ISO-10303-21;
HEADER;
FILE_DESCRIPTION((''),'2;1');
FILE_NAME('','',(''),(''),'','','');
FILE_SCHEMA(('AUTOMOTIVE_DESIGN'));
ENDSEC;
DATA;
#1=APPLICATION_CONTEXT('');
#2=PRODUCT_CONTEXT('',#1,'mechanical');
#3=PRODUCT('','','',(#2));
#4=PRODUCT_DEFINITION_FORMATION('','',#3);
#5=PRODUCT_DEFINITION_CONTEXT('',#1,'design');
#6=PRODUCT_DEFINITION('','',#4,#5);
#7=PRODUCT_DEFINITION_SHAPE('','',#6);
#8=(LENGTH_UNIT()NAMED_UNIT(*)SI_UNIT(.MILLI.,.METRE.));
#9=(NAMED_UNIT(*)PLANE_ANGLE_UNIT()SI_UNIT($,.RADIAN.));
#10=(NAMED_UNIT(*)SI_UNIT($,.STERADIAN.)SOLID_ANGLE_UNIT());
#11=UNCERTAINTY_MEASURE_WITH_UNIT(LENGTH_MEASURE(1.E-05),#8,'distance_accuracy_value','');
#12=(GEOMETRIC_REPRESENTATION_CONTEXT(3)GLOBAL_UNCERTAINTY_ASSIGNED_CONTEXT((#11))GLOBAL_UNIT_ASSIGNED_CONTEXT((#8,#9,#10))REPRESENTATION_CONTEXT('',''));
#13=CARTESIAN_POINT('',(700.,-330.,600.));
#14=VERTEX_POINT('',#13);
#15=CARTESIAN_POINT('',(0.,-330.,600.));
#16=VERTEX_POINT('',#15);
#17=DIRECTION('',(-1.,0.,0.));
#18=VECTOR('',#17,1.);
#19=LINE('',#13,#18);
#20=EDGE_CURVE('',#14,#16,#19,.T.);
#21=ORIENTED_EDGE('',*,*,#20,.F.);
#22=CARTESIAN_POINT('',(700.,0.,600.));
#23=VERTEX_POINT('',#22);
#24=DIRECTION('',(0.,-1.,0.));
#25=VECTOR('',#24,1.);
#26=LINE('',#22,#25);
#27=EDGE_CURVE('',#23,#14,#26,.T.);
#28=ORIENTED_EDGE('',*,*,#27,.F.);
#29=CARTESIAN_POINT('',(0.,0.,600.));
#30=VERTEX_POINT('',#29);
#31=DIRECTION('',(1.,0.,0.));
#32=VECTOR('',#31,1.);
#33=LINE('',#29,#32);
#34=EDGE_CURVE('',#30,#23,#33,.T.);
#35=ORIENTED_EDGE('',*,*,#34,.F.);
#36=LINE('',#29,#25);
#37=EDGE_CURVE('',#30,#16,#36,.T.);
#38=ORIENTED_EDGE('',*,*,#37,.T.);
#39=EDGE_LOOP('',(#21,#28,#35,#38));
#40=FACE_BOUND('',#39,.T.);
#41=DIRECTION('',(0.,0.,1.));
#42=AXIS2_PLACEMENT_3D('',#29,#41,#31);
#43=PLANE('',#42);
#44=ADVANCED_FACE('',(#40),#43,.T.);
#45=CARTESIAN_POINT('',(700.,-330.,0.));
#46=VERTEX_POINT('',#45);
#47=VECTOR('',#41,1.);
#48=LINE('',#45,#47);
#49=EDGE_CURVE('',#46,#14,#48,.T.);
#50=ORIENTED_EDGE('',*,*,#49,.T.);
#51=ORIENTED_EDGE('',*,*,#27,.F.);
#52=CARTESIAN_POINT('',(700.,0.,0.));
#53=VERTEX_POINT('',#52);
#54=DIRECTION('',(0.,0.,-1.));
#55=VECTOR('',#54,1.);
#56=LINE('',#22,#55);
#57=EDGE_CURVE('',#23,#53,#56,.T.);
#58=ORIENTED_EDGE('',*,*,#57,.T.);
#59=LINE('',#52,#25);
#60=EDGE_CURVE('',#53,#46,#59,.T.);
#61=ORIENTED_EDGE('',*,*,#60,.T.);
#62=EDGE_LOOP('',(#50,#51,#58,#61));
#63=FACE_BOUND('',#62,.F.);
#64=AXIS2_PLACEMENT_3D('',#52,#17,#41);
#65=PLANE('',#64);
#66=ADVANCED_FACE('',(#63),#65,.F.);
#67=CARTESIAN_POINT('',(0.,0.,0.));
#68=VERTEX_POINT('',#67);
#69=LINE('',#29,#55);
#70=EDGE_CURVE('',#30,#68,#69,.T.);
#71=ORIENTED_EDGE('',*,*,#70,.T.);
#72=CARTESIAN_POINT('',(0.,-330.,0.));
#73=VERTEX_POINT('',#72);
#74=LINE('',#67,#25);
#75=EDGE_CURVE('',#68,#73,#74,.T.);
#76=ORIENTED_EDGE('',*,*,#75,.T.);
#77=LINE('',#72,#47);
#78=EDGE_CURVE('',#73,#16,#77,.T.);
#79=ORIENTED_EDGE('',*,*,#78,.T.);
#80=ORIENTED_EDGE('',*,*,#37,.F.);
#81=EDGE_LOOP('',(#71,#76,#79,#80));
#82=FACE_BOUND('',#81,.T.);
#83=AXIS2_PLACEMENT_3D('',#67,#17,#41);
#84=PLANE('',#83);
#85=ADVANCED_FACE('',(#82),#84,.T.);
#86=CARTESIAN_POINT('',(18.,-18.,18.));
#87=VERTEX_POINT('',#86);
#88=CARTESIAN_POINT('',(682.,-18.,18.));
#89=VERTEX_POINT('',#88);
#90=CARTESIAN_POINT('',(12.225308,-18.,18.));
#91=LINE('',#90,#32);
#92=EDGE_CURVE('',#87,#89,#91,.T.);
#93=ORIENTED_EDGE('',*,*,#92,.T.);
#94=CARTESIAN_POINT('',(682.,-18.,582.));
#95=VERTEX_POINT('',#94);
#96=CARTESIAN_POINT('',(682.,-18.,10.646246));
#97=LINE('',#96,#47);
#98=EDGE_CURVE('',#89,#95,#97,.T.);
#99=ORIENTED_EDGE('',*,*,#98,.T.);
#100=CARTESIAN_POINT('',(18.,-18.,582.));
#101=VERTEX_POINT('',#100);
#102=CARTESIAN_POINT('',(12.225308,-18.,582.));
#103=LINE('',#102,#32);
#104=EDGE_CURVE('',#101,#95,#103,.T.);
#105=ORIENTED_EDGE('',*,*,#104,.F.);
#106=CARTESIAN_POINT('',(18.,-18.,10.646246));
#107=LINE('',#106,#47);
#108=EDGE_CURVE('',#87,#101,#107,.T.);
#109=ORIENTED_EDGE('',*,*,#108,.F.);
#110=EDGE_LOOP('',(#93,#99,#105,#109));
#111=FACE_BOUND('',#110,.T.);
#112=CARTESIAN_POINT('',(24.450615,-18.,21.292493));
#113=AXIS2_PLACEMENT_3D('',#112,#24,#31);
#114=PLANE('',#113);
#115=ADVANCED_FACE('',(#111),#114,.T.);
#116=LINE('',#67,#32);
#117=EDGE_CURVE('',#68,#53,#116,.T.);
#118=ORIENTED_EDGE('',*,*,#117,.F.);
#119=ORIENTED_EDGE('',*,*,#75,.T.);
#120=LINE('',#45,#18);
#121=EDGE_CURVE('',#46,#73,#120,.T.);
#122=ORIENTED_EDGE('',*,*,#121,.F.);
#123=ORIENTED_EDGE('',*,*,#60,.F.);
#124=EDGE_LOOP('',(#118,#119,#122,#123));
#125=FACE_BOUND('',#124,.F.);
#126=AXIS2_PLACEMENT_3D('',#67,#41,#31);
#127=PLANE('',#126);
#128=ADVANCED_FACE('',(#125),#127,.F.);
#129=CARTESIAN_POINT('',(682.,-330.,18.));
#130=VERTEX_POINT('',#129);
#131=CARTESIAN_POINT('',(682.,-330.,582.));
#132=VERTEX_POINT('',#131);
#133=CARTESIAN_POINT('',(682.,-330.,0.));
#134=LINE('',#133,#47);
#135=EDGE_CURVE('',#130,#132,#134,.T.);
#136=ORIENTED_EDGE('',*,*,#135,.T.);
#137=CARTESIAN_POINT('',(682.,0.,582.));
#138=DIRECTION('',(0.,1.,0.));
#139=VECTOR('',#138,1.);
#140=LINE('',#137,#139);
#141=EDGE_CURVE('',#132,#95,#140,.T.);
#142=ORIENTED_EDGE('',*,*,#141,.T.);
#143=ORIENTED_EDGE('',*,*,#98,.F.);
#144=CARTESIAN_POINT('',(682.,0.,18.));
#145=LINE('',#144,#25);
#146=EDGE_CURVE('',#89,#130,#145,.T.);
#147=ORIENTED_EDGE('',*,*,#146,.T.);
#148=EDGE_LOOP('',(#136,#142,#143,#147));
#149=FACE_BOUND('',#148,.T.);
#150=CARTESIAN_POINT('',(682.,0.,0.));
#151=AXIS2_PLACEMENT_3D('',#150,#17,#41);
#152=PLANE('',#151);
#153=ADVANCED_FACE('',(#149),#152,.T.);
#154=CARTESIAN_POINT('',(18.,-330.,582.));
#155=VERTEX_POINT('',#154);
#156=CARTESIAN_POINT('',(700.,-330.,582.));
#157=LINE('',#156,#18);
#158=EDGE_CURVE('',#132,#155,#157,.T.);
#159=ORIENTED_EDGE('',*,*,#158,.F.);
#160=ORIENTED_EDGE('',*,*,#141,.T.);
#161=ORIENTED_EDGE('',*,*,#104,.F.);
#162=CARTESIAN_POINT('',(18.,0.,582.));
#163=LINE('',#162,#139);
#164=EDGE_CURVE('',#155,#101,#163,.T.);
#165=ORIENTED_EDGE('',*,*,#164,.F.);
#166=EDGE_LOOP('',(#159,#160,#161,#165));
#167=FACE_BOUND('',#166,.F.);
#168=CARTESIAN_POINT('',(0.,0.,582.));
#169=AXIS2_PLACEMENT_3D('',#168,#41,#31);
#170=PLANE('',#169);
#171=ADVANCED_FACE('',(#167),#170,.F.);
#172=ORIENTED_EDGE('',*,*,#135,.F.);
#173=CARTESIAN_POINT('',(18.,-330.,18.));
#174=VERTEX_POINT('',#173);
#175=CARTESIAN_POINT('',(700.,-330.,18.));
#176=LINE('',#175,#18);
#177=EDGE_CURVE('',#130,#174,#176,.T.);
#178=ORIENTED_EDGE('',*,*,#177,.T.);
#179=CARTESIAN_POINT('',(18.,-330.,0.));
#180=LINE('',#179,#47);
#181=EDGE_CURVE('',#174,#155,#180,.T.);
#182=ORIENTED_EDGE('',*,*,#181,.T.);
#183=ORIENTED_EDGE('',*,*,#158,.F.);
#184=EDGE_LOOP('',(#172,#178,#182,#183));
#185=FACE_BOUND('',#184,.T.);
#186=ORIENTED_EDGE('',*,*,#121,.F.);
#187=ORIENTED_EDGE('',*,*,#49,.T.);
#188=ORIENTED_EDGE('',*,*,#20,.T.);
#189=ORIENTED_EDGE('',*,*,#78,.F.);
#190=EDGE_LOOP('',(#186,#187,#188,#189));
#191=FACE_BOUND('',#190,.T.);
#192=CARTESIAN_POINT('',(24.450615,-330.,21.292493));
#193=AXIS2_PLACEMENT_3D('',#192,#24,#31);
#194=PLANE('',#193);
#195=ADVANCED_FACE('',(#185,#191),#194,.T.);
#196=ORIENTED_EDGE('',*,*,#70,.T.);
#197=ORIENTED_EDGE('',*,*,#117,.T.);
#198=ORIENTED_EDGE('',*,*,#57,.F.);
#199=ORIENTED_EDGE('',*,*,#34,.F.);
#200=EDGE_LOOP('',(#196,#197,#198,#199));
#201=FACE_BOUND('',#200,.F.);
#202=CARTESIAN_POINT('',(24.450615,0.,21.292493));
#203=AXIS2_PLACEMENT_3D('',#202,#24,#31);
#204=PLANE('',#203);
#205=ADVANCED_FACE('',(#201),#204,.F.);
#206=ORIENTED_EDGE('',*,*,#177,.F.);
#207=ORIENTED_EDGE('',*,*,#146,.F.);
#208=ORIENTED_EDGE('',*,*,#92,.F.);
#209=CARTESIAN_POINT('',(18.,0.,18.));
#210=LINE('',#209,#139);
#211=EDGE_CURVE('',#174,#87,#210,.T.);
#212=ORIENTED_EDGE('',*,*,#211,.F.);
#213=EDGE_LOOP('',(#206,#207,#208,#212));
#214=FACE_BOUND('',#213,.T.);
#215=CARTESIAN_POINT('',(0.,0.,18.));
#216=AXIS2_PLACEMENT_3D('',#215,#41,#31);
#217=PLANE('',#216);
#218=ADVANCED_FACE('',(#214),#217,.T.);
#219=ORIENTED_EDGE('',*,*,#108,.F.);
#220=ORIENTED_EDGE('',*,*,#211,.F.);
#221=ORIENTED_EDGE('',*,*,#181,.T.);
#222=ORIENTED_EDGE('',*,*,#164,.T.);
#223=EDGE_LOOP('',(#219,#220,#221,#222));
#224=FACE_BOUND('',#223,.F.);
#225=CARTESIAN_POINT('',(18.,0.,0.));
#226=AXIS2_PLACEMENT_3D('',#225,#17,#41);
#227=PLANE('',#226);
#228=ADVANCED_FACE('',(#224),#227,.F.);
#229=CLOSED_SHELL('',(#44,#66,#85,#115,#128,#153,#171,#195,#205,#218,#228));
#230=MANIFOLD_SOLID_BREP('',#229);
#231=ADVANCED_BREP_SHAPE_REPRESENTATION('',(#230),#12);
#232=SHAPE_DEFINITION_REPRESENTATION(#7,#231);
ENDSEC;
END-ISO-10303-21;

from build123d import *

# Parameters (mm, degrees)
F0_W     = 44.8449254036
F0_H     = 34.0256392956
F1_DEPTH = 330
F2_DEPTH = 900
F3_DEPTH = 600
F4_T     = -18
F6_W     = 48.9012300968
F6_H     = 42.5849854946
F7_DEPTH = 330
F8_DEPTH = 700
F9_DEPTH = 600
F10_T    = -18


with BuildPart() as f1:
    # F0 (on Front) → F1 (new body)
    with BuildSketch(Plane.XZ):
        with Locations((22.4224627018, 17.0128196478)):
            Rectangle(F0_W, F0_H)
    extrude(amount=F1_DEPTH)

    # F2 (add): a face of the model
    f2_faces = [f1.faces().sort_by_distance(p)[0] for p in [
        (0, -165, 17.0128196478),
    ]]
    extrude(f2_faces, amount=-F2_DEPTH)

    # F3 (add): a face of the model
    f3_faces = [f1.faces().sort_by_distance(p)[0] for p in [
        (450, -165, 0),
    ]]
    extrude(f3_faces, amount=-F3_DEPTH)

    # F4
    f4_openings = [f1.faces().sort_by_distance(p)[0] for p in [
        (450, -330, 300),
    ]]
    offset(amount=F4_T, openings=f4_openings)


with BuildPart() as f7:
    # F6 (on Front) → F7 (new body)
    with BuildSketch(Plane.XZ):
        with Locations((24.4506150484, 21.2924927473)):
            Rectangle(F6_W, F6_H)
    extrude(amount=F7_DEPTH)

    # F8 (add): a face of the model
    f8_faces = [f7.faces().sort_by_distance(p)[0] for p in [
        (0, -165, 21.2924927473),
    ]]
    extrude(f8_faces, amount=-F8_DEPTH)

    # F9 (add): a face of the model
    f9_faces = [f7.faces().sort_by_distance(p)[0] for p in [
        (350, -165, 0),
    ]]
    extrude(f9_faces, amount=-F9_DEPTH)

    # F10
    f10_openings = [f7.faces().sort_by_distance(p)[0] for p in [
        (350, -330, 300),
    ]]
    offset(amount=F10_T, openings=f10_openings)


solid = f7.part
